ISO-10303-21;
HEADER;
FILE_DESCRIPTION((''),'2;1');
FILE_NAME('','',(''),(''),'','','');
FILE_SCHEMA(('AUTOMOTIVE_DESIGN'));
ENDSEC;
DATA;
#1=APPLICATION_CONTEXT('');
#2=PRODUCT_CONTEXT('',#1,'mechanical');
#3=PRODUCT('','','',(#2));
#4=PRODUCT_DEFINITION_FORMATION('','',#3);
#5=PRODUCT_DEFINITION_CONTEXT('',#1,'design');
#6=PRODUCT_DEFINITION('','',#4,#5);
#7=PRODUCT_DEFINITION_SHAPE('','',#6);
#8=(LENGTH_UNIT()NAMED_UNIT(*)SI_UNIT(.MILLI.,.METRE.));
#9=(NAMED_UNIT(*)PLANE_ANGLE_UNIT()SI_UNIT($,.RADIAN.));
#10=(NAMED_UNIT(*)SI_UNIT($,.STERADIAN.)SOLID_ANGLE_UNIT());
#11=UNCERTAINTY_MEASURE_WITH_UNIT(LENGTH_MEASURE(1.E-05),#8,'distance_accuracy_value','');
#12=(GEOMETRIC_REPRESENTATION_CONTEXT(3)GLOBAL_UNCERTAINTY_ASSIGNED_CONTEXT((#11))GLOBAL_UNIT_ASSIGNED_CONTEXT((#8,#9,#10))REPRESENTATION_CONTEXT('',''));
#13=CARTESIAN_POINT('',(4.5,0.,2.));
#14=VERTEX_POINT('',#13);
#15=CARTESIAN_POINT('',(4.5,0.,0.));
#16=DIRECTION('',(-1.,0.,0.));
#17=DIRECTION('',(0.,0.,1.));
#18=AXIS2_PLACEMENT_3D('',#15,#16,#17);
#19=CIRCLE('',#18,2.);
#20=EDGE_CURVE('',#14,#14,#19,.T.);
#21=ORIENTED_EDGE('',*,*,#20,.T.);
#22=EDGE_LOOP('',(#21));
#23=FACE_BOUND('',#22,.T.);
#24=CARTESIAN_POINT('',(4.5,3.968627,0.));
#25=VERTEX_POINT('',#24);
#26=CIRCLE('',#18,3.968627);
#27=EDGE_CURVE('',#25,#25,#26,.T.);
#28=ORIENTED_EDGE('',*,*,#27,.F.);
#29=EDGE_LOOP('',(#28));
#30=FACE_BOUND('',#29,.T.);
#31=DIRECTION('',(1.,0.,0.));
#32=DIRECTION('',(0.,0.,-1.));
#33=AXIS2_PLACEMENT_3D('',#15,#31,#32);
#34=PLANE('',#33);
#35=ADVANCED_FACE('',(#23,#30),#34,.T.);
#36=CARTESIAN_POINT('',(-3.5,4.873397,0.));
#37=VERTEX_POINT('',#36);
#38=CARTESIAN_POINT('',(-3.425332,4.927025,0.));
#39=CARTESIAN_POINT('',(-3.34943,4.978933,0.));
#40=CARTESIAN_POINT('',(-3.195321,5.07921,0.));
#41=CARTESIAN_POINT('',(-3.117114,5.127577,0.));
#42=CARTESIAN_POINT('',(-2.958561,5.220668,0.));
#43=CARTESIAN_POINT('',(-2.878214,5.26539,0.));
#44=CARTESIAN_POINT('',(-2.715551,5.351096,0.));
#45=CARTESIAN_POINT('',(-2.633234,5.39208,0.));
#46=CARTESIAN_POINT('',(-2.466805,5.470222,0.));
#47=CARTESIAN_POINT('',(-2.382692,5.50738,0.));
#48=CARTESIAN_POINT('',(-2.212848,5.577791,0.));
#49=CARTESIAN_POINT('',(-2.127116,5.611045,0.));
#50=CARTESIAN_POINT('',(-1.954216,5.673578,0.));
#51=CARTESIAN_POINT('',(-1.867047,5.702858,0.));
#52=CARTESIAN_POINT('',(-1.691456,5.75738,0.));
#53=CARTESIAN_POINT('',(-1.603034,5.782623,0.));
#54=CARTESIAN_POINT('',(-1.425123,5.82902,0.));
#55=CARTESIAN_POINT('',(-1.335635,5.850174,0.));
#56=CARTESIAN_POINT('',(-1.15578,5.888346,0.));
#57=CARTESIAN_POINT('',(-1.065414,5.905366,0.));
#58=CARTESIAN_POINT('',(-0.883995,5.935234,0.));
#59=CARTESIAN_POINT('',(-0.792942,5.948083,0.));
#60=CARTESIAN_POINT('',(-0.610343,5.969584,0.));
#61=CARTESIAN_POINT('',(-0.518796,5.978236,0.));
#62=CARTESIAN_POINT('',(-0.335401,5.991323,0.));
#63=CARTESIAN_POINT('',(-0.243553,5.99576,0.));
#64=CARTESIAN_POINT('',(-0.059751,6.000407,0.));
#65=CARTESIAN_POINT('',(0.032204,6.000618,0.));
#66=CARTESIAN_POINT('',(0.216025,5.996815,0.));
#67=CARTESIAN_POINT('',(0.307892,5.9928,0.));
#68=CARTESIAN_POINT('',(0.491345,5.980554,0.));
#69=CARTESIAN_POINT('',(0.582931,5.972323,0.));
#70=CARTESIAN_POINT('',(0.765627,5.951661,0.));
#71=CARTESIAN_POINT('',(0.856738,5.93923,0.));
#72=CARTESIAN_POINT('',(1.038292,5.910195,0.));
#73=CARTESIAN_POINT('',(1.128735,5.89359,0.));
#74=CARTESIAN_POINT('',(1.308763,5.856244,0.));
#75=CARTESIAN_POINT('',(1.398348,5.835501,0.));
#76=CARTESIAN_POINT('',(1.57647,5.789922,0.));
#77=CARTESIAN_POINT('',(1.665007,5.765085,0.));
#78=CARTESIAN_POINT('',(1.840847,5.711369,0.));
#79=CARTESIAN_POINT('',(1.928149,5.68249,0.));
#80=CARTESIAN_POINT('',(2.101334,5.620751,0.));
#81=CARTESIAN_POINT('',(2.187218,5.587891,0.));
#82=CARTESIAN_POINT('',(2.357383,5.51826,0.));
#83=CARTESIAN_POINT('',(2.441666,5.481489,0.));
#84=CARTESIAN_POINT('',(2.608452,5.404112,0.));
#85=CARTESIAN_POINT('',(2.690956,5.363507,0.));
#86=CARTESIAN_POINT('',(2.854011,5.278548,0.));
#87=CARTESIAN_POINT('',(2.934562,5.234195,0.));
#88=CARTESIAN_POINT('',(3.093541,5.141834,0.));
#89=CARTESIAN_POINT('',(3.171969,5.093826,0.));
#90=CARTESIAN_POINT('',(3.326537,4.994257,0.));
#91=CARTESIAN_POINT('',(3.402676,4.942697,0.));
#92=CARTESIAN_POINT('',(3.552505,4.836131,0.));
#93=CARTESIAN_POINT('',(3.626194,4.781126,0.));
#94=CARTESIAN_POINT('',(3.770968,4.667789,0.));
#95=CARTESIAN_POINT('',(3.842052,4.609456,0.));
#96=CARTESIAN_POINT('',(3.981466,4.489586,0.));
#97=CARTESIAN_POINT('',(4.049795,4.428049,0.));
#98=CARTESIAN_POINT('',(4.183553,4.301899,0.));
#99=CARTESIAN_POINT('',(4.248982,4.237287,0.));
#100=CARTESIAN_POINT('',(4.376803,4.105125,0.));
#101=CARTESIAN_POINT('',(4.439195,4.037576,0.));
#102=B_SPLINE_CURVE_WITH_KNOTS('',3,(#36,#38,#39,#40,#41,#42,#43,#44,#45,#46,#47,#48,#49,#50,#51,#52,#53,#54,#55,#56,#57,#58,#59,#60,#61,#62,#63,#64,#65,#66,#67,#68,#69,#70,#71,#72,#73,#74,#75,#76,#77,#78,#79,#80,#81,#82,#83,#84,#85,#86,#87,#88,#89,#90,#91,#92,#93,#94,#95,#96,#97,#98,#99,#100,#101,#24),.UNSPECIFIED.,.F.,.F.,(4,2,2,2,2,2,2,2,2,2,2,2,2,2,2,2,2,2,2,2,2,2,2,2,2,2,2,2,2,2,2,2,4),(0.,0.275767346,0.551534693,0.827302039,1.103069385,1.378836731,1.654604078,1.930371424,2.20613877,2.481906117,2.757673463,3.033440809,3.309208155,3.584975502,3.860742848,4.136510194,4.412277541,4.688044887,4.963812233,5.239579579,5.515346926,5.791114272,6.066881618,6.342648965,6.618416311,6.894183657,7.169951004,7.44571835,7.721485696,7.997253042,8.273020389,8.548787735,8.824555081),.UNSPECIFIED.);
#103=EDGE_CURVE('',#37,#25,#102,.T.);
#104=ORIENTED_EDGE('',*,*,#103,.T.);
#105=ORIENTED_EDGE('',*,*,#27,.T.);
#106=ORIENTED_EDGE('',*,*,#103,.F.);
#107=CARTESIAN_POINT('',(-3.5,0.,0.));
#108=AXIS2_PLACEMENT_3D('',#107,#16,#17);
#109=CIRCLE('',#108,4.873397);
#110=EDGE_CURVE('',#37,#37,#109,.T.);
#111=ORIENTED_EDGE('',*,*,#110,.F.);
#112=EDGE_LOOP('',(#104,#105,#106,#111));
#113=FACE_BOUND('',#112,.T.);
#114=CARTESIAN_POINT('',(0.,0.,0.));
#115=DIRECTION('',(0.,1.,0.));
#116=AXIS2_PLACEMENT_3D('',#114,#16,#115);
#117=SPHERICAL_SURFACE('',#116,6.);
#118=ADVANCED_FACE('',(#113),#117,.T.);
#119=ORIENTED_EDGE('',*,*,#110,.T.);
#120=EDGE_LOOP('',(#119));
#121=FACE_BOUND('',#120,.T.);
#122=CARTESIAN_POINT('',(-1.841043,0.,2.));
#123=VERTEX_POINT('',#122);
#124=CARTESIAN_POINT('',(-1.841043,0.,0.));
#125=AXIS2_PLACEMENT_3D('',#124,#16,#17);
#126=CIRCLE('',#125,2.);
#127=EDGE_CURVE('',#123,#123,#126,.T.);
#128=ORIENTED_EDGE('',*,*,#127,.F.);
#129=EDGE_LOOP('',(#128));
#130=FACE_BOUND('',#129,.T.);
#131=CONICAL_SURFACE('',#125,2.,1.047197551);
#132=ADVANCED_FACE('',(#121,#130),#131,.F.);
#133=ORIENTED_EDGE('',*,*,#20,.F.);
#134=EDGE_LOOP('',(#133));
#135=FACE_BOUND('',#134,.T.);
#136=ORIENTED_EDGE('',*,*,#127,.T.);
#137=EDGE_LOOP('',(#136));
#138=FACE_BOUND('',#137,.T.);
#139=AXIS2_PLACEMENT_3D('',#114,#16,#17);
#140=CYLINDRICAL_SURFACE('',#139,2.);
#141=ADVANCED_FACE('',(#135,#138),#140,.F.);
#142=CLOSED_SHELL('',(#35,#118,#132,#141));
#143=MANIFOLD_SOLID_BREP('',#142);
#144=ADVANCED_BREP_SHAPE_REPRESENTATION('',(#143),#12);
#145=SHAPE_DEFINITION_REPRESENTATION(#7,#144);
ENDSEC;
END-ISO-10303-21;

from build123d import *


with BuildPart() as part:
    # Sketch1 → Revolve1 (revolve)
    with BuildSketch(Plane.XY, mode=Mode.PRIVATE) as revolve1_sk:
        with BuildLine():
            Line((-1.841043369, 2), (4.5, 2))
            Line((4.5, 2), (4.5, 3.968626967))
            ThreePointArc((4.5, 3.968626967), (0.674279083, 5.961991925), (-3.5, 4.873397172))
            Line((-3.5, 4.873397172), (-1.841043369, 2))
        make_face()
    revolve(revolve1_sk.sketch.rotate(Axis((0, 0, 0), (1, 0, 0)), 90), axis=Axis((0, 0, 0), (1, 0, 0)))


solid = part.part
